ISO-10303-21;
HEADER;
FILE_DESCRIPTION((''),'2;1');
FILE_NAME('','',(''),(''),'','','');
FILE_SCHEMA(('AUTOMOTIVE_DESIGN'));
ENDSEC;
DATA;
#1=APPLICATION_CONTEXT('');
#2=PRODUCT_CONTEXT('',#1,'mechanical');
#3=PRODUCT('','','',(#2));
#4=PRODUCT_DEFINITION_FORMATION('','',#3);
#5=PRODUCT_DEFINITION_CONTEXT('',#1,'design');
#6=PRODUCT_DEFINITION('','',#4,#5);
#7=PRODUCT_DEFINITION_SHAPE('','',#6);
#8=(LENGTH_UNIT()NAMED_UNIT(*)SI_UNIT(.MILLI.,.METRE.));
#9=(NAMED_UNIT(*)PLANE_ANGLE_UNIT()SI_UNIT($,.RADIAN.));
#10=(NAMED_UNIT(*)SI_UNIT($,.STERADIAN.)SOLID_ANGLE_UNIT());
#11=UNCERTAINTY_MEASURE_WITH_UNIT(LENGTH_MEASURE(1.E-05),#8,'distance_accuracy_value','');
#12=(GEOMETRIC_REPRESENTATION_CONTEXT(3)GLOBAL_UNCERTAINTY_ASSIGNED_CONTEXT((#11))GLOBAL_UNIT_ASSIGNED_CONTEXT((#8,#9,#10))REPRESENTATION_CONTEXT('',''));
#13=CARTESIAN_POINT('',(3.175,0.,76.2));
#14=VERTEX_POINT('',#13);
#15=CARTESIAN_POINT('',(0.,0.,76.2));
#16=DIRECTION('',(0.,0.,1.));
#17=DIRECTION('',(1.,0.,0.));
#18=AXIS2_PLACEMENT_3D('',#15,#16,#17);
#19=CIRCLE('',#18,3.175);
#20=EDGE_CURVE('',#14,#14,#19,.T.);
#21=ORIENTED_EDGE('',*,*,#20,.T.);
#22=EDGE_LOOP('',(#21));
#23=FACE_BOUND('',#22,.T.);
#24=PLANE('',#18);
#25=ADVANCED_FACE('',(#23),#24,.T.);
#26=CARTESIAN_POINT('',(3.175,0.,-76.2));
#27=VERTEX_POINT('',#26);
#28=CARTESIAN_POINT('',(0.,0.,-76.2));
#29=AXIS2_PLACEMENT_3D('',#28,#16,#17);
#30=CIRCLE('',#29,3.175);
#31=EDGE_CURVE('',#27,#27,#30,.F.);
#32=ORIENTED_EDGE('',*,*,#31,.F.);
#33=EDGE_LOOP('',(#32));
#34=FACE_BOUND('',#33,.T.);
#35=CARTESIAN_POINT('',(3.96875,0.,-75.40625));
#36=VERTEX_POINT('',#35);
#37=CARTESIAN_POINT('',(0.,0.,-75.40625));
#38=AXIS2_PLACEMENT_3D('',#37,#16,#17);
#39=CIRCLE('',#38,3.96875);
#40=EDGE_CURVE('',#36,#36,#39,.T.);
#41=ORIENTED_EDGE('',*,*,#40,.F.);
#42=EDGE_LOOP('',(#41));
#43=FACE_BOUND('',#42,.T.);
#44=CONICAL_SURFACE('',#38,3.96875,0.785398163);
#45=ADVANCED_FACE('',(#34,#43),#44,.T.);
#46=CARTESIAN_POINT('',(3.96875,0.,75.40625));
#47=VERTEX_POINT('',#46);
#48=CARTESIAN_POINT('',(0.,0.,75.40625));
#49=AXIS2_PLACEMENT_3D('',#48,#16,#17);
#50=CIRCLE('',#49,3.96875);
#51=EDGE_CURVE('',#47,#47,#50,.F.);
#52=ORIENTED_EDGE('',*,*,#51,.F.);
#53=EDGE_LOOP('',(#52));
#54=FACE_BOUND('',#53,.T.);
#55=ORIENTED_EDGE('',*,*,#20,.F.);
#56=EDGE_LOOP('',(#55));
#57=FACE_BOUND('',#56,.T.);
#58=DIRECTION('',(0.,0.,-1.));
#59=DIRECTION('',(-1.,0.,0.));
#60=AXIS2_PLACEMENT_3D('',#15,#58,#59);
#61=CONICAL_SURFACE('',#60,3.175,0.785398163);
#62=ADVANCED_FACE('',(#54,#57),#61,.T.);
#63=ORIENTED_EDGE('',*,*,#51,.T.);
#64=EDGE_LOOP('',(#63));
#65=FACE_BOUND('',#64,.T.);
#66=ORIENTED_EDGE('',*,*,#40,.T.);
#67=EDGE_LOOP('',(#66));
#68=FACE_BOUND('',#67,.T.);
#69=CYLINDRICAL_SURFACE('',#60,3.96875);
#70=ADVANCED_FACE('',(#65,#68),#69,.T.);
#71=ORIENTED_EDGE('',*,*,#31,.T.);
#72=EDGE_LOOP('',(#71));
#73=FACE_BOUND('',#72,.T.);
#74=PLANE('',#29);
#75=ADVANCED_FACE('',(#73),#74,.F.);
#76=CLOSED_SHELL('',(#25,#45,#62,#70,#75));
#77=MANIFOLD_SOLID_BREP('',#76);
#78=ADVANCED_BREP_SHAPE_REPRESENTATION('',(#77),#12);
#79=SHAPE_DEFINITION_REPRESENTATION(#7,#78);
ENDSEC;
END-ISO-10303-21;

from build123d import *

# Parameters (mm, degrees)
SKETCH1_R      = 3.96875
EXTRUDE1_DEPTH = 76.2
CHAMFER1_SIZE  = 0.79375


with BuildPart() as part:
    # Sketch1 → Extrude1 (new body, symmetric)
    with BuildSketch(Plane.XY):
        Circle(SKETCH1_R)
    extrude(amount=EXTRUDE1_DEPTH, both=True)

    # Chamfer1
    chamfer1_edges = [part.edges().sort_by_distance(p)[0] for p in [
        (-3.96875, 0, -76.2),
        (-3.96875, 0, 76.2),
    ]]
    chamfer(chamfer1_edges, length=CHAMFER1_SIZE)


solid = part.part
